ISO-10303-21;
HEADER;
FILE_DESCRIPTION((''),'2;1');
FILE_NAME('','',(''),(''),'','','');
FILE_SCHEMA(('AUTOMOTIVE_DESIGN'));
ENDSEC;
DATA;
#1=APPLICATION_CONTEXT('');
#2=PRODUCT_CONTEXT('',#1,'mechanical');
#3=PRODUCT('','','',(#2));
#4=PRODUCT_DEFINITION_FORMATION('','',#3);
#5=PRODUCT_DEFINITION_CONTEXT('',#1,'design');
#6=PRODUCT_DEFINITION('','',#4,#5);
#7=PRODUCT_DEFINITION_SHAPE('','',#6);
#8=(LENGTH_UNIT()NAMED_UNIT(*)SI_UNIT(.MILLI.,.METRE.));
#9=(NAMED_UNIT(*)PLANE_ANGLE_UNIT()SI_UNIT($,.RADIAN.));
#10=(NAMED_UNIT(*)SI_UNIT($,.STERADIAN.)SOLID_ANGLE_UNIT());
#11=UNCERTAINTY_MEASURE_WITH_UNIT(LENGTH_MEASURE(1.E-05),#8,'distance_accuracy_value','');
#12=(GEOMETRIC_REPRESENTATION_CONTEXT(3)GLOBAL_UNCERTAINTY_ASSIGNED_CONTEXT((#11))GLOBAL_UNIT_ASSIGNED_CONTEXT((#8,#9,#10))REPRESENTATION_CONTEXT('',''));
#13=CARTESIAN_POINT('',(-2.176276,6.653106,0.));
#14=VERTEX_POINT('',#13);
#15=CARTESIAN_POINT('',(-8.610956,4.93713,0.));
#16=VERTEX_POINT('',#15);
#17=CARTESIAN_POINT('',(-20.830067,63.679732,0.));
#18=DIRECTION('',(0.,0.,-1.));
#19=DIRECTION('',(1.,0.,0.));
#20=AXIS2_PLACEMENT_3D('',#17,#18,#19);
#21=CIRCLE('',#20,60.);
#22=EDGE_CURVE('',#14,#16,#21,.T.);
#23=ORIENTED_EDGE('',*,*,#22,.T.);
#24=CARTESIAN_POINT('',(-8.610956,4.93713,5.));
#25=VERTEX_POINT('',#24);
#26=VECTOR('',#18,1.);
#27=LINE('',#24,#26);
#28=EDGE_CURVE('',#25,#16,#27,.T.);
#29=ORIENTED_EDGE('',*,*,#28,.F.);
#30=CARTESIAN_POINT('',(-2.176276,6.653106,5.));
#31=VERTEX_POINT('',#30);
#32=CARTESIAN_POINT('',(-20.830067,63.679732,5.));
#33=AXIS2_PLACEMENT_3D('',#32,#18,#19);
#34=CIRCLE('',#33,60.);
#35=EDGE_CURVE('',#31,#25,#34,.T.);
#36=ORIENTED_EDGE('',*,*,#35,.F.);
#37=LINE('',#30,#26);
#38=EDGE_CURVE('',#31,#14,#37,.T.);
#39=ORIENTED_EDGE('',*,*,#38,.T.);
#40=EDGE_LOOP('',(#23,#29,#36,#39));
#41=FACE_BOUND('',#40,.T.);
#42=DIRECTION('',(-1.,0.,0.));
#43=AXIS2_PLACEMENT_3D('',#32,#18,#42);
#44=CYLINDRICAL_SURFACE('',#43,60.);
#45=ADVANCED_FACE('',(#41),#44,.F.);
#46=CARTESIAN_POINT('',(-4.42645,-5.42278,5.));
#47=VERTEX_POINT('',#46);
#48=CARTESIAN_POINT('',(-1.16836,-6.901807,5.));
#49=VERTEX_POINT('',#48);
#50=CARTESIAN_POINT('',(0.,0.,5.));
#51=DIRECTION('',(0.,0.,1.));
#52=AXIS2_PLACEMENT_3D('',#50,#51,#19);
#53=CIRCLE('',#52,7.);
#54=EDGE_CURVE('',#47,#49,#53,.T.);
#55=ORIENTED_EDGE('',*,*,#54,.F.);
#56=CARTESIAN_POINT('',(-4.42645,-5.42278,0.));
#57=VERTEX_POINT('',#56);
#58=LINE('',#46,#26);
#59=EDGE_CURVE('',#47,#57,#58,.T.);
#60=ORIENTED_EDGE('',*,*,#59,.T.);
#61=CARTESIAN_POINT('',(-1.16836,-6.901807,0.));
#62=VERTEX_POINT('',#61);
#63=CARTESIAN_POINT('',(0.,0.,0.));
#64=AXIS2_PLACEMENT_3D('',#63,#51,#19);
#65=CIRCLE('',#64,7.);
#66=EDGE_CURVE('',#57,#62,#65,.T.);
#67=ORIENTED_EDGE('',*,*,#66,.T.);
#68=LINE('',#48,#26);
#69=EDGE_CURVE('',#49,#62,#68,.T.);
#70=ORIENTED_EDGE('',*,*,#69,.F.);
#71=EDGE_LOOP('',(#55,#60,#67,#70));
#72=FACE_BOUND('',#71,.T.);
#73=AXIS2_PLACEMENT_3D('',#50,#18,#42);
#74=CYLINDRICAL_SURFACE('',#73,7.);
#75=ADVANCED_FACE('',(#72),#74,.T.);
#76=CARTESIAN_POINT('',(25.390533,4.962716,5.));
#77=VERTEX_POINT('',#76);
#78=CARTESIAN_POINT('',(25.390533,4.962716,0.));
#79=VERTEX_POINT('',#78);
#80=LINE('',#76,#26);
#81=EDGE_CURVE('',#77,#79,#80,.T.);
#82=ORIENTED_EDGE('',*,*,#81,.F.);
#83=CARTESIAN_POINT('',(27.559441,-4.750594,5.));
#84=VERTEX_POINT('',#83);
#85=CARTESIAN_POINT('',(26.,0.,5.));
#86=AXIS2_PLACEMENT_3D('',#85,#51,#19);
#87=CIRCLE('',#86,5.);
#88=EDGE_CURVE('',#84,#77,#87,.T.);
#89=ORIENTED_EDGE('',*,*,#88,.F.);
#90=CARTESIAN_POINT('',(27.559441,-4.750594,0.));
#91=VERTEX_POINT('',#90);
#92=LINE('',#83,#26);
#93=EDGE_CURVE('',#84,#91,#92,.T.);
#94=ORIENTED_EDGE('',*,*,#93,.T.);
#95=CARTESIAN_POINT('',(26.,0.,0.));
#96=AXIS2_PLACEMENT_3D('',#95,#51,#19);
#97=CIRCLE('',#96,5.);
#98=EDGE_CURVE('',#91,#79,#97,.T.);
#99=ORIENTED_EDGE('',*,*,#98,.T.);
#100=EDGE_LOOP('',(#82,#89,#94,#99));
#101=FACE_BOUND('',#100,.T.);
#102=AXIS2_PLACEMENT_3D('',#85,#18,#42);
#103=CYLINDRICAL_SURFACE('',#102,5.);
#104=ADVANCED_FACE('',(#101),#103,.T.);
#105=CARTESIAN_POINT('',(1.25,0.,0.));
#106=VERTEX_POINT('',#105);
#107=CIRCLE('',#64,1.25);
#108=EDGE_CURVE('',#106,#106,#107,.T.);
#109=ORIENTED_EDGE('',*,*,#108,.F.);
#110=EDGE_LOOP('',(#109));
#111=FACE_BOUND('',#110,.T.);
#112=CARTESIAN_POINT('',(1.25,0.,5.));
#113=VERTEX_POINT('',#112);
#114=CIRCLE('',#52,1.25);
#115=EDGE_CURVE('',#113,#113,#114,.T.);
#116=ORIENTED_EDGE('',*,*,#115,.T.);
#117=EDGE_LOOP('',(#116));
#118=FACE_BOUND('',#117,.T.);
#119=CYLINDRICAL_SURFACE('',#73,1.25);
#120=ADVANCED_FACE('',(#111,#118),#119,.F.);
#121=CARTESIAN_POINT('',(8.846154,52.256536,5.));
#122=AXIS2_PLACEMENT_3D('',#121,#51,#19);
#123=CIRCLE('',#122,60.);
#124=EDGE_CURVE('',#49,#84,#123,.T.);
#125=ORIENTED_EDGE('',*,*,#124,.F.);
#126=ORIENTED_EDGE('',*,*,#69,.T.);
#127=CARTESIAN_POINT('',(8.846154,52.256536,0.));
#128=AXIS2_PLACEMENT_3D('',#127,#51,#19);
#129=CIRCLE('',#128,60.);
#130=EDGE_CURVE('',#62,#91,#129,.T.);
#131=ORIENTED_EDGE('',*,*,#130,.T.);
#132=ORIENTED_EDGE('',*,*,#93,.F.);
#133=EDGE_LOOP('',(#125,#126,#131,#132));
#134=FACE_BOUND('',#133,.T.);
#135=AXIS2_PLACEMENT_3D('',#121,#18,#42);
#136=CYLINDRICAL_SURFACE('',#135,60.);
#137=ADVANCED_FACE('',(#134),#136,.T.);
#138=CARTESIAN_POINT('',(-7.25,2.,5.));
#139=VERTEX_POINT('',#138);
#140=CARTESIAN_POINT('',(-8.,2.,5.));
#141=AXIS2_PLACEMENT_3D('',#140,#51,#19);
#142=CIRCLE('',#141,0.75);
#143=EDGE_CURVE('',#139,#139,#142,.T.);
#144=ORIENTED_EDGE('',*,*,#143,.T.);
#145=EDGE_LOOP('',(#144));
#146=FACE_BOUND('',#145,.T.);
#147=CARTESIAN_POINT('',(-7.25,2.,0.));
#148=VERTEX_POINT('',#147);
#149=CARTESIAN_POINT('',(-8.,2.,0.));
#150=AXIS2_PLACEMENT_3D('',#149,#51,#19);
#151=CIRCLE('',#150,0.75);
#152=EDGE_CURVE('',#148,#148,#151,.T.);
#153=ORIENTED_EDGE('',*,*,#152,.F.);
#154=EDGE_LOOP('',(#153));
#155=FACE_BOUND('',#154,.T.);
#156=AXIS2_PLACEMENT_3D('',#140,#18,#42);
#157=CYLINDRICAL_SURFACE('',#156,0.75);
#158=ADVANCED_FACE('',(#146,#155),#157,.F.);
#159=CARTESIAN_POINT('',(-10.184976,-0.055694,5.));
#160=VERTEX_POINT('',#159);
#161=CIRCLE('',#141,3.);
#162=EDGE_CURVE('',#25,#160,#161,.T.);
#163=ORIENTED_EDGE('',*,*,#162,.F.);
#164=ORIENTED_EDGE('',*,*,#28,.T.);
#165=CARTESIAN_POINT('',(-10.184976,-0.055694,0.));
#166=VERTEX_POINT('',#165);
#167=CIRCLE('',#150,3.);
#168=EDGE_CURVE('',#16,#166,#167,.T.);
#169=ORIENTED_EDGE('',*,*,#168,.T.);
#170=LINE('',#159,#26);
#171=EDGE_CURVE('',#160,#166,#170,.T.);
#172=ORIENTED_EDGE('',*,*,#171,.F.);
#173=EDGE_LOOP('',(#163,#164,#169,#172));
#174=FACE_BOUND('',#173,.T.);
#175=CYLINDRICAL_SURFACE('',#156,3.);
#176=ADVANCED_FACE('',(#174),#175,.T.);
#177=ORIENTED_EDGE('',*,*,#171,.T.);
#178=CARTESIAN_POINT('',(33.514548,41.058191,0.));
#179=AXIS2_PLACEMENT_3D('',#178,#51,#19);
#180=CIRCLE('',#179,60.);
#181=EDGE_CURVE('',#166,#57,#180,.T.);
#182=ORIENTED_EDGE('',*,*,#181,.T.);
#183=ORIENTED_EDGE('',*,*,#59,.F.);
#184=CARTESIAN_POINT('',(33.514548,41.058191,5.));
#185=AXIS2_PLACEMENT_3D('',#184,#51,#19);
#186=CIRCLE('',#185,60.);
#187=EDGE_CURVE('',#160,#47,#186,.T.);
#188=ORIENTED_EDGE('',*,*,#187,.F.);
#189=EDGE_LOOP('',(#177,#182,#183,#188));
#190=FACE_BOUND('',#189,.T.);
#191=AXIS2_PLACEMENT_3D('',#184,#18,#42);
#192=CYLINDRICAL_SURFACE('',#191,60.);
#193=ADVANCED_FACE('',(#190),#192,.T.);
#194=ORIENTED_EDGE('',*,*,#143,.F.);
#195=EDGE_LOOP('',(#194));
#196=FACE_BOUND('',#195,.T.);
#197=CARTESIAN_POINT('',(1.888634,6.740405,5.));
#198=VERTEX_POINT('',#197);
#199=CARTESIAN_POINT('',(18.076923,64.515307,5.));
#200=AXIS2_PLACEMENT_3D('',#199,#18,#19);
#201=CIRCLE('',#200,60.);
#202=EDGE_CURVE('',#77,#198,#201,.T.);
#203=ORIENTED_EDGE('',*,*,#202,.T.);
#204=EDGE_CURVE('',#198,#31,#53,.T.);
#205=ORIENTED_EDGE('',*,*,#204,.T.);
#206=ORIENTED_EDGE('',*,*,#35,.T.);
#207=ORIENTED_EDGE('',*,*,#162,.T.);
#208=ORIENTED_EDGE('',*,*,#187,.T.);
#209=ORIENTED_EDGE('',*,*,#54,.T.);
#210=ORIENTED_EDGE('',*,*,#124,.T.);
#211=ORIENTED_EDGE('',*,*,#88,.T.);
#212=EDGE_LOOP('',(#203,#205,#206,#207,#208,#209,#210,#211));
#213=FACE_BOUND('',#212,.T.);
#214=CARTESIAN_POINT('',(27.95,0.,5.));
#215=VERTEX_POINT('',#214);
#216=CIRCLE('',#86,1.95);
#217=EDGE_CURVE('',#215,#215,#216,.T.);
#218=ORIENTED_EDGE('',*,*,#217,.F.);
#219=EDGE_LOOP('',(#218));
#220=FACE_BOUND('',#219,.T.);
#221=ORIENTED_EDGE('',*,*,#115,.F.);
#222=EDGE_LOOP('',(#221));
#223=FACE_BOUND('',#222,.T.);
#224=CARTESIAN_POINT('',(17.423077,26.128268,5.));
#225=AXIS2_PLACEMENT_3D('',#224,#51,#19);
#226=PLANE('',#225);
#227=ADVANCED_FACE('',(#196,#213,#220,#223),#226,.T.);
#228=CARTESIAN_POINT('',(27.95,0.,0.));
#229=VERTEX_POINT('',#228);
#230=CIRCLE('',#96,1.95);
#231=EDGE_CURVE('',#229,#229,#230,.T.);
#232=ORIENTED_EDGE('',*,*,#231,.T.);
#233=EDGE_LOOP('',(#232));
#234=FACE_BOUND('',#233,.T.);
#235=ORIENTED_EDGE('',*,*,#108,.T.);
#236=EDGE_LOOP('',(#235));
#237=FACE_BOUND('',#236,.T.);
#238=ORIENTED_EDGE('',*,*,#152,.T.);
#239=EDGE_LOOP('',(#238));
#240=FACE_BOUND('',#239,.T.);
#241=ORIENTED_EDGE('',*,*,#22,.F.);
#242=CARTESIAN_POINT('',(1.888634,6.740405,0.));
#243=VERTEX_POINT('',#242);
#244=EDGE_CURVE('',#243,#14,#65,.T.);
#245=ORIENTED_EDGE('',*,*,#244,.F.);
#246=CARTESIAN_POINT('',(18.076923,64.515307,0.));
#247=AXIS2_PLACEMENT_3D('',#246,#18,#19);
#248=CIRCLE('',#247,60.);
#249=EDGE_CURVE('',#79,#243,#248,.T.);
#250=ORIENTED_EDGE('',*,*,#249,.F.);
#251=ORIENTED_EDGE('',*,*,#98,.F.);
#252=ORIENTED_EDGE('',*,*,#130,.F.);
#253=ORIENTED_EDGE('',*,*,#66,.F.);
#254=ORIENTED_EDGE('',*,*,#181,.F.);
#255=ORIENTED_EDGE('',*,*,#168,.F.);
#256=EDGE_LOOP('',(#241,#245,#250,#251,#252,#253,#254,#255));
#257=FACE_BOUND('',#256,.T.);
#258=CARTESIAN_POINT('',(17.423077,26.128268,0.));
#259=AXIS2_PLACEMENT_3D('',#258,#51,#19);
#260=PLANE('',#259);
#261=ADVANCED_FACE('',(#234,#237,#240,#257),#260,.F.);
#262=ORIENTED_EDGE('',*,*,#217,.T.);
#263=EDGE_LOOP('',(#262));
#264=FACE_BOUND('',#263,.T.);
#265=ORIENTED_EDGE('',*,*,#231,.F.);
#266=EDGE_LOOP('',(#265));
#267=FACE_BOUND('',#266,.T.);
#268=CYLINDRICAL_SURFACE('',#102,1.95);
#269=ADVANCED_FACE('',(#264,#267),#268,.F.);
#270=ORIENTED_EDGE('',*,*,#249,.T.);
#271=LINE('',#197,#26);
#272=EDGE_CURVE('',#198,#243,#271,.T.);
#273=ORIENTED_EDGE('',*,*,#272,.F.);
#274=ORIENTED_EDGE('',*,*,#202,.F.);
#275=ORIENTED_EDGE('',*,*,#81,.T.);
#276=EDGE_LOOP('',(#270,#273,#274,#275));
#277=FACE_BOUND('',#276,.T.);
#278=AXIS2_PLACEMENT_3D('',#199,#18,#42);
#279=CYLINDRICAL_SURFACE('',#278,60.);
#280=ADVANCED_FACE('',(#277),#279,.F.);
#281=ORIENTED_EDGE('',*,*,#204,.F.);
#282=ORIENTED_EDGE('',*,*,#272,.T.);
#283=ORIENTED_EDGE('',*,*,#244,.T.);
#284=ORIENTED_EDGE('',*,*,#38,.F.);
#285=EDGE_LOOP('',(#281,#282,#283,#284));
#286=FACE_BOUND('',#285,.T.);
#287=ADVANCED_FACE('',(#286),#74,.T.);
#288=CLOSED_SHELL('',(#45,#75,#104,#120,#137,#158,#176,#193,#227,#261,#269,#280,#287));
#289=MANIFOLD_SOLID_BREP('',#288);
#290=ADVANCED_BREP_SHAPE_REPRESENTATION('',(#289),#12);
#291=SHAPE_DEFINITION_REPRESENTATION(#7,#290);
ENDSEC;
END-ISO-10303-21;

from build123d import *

# Parameters (mm, degrees)
SKETCH1_R           = 1.25
SKETCH1_R_2         = 1.95
SKETCH1_R_3         = 0.75
BOSS_EXTRUDE1_DEPTH = 5


with BuildPart() as part:
    # Sketch1 → Boss-Extrude1 (new body)
    with BuildSketch(Plane.XY):
        with BuildLine():
            ThreePointArc((-8.610955567, 4.937130112), (-10.861185503, 2.902007494), (-10.184976203, -0.055694285))
            ThreePointArc((-10.184976203, -0.055694285), (-7.393826535, -2.833777155), (-4.426449716, -5.422779998))
            ThreePointArc((-4.426449716, -5.422779998), (-2.893501985, -6.373981978), (-1.168359942, -6.901806651))
            ThreePointArc((-1.168359942, -6.901806651), (13.32656581, -7.575945982), (27.559440559, -4.750594188))
            ThreePointArc((27.559440559, -4.750594188), (30.879826902, 1.089628103), (25.390532544, 4.962715932))
            ThreePointArc((25.390532544, 4.962715932), (13.551436315, 4.686217454), (1.888633754, 6.740405221))
            ThreePointArc((1.888633754, 6.740405221), (-0.150298826, 6.998386261), (-2.176275648, 6.653106365))
            ThreePointArc((-2.176275648, 6.653106365), (-5.369789667, 5.705774168), (-8.610955567, 4.937130112))
        make_face()
        Circle(SKETCH1_R, mode=Mode.SUBTRACT)
        with Locations((26, 0)):
            Circle(SKETCH1_R_2, mode=Mode.SUBTRACT)
        with Locations((-8, 2)):
            Circle(SKETCH1_R_3, mode=Mode.SUBTRACT)
    extrude(amount=BOSS_EXTRUDE1_DEPTH)


solid = part.part
